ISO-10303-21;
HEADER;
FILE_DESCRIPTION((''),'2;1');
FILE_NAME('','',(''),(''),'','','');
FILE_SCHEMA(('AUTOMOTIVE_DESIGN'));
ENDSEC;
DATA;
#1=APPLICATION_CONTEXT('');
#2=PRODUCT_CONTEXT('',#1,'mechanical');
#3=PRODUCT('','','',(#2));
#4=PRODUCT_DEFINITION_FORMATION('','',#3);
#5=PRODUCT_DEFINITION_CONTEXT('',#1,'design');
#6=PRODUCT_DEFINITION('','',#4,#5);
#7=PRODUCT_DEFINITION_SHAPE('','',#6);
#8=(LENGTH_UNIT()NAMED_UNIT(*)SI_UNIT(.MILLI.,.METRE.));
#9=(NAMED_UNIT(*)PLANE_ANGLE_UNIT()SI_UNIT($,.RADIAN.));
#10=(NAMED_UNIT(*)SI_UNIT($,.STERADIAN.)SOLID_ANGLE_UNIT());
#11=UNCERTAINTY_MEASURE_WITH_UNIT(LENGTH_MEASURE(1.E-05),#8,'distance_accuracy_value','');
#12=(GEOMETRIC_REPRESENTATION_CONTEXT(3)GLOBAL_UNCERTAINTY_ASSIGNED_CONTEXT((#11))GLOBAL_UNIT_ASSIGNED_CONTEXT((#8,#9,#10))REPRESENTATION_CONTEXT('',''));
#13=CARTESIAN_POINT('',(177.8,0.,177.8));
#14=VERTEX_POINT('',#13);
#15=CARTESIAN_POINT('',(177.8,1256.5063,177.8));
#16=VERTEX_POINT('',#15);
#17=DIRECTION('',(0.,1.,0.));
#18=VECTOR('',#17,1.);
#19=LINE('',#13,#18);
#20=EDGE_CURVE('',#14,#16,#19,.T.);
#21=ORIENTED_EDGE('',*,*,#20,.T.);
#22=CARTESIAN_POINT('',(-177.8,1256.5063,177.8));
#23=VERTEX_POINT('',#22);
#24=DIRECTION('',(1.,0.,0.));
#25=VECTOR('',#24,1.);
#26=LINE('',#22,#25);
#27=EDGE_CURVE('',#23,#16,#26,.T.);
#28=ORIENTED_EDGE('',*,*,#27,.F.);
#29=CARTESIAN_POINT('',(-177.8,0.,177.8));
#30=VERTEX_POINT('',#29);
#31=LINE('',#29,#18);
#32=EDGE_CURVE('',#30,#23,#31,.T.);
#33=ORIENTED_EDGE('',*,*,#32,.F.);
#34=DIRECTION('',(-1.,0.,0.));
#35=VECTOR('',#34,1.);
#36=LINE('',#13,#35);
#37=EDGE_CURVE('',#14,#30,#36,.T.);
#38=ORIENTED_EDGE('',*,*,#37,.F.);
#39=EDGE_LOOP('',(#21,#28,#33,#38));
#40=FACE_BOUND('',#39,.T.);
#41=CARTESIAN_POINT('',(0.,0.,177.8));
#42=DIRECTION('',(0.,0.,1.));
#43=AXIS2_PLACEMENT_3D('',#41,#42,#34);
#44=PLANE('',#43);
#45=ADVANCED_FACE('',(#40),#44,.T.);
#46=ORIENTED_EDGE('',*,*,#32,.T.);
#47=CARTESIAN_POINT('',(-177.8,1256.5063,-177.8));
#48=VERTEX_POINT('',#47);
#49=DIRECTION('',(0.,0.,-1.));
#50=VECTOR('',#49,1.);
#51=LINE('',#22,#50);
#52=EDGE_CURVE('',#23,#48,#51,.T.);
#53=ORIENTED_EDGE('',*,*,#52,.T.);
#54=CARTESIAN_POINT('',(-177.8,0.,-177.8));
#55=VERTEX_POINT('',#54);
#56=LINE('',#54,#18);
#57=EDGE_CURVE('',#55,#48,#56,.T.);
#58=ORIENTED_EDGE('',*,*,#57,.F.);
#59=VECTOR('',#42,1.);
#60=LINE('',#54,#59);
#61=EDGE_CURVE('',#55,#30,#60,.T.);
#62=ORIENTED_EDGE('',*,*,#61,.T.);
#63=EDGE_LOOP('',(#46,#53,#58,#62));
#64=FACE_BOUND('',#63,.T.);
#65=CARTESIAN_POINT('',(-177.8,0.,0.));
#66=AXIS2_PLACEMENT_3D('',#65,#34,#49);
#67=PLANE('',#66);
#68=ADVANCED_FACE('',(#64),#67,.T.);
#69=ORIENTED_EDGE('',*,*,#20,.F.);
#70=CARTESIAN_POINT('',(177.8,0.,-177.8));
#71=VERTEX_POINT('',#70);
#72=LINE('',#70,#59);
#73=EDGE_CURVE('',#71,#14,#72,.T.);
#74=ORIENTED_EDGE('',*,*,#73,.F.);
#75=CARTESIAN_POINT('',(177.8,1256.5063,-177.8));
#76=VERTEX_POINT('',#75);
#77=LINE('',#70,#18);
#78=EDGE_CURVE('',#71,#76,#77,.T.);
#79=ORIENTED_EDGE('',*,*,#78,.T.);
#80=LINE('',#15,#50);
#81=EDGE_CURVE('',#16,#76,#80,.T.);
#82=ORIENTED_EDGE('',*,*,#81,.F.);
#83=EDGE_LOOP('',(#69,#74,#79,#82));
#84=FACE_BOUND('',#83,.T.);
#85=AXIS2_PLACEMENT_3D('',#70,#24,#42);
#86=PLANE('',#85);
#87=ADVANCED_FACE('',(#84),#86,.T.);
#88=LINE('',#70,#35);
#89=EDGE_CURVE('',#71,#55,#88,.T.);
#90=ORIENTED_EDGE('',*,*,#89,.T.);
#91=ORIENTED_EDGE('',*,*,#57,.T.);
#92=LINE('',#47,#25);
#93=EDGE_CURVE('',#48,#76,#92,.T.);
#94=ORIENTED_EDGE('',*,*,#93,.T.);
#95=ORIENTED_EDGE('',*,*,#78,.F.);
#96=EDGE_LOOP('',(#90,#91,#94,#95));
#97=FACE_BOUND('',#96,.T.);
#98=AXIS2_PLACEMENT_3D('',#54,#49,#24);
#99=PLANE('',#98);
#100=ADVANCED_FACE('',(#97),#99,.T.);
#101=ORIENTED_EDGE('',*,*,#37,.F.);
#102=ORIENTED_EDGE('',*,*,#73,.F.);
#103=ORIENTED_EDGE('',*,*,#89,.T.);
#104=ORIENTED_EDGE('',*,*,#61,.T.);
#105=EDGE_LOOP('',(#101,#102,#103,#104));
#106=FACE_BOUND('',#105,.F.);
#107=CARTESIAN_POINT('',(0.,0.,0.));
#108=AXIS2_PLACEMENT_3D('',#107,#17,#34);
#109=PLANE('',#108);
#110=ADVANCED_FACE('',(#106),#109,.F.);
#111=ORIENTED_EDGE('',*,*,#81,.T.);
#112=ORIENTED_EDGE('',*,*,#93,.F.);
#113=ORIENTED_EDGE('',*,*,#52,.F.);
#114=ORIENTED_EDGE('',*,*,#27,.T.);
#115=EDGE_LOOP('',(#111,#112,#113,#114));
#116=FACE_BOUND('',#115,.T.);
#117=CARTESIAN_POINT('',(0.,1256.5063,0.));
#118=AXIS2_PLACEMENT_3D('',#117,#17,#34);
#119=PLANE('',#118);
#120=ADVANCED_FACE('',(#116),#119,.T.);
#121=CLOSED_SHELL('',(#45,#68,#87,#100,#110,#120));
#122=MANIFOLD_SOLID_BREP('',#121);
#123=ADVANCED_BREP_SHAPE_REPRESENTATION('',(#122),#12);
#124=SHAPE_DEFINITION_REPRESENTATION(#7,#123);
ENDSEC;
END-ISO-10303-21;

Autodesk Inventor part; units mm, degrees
ref_plane "YZ Plane" through (0, 0, 0) normal (1, 0, 0) x (0, 1, 0)
ref_plane "XZ Plane" through (0, 0, 0) normal (0, 1, 0) x (-1, 0, 0)
ref_plane "XY Plane" through (0, 0, 0) normal (0, 0, 1) x (1, 0, 0)
sketch "Sketch1" plane through (0, 0, 0) normal (0, 1, 0) x (-1, 0, 0)
  line L0 (177.8, -177.8) -> (-177.8, -177.8)
  line L1 (-177.8, -177.8) -> (-177.8, 177.8)
  line L2 (-177.8, 177.8) -> (177.8, 177.8)
  line L3 (177.8, 177.8) -> (177.8, -177.8)
  line L4 (0, -177.8) -> (0, 177.8)
  line L5 (-177.8, 0) -> (177.8, 0)
  point P0 (0, 0)
  point P1 (0, 0)
  dimension "d3" = 355.6
extrude "Extrusion1" add sketch "Sketch1" along normal blind 1256.5063
properties part number "Pier" material "Concrete"
